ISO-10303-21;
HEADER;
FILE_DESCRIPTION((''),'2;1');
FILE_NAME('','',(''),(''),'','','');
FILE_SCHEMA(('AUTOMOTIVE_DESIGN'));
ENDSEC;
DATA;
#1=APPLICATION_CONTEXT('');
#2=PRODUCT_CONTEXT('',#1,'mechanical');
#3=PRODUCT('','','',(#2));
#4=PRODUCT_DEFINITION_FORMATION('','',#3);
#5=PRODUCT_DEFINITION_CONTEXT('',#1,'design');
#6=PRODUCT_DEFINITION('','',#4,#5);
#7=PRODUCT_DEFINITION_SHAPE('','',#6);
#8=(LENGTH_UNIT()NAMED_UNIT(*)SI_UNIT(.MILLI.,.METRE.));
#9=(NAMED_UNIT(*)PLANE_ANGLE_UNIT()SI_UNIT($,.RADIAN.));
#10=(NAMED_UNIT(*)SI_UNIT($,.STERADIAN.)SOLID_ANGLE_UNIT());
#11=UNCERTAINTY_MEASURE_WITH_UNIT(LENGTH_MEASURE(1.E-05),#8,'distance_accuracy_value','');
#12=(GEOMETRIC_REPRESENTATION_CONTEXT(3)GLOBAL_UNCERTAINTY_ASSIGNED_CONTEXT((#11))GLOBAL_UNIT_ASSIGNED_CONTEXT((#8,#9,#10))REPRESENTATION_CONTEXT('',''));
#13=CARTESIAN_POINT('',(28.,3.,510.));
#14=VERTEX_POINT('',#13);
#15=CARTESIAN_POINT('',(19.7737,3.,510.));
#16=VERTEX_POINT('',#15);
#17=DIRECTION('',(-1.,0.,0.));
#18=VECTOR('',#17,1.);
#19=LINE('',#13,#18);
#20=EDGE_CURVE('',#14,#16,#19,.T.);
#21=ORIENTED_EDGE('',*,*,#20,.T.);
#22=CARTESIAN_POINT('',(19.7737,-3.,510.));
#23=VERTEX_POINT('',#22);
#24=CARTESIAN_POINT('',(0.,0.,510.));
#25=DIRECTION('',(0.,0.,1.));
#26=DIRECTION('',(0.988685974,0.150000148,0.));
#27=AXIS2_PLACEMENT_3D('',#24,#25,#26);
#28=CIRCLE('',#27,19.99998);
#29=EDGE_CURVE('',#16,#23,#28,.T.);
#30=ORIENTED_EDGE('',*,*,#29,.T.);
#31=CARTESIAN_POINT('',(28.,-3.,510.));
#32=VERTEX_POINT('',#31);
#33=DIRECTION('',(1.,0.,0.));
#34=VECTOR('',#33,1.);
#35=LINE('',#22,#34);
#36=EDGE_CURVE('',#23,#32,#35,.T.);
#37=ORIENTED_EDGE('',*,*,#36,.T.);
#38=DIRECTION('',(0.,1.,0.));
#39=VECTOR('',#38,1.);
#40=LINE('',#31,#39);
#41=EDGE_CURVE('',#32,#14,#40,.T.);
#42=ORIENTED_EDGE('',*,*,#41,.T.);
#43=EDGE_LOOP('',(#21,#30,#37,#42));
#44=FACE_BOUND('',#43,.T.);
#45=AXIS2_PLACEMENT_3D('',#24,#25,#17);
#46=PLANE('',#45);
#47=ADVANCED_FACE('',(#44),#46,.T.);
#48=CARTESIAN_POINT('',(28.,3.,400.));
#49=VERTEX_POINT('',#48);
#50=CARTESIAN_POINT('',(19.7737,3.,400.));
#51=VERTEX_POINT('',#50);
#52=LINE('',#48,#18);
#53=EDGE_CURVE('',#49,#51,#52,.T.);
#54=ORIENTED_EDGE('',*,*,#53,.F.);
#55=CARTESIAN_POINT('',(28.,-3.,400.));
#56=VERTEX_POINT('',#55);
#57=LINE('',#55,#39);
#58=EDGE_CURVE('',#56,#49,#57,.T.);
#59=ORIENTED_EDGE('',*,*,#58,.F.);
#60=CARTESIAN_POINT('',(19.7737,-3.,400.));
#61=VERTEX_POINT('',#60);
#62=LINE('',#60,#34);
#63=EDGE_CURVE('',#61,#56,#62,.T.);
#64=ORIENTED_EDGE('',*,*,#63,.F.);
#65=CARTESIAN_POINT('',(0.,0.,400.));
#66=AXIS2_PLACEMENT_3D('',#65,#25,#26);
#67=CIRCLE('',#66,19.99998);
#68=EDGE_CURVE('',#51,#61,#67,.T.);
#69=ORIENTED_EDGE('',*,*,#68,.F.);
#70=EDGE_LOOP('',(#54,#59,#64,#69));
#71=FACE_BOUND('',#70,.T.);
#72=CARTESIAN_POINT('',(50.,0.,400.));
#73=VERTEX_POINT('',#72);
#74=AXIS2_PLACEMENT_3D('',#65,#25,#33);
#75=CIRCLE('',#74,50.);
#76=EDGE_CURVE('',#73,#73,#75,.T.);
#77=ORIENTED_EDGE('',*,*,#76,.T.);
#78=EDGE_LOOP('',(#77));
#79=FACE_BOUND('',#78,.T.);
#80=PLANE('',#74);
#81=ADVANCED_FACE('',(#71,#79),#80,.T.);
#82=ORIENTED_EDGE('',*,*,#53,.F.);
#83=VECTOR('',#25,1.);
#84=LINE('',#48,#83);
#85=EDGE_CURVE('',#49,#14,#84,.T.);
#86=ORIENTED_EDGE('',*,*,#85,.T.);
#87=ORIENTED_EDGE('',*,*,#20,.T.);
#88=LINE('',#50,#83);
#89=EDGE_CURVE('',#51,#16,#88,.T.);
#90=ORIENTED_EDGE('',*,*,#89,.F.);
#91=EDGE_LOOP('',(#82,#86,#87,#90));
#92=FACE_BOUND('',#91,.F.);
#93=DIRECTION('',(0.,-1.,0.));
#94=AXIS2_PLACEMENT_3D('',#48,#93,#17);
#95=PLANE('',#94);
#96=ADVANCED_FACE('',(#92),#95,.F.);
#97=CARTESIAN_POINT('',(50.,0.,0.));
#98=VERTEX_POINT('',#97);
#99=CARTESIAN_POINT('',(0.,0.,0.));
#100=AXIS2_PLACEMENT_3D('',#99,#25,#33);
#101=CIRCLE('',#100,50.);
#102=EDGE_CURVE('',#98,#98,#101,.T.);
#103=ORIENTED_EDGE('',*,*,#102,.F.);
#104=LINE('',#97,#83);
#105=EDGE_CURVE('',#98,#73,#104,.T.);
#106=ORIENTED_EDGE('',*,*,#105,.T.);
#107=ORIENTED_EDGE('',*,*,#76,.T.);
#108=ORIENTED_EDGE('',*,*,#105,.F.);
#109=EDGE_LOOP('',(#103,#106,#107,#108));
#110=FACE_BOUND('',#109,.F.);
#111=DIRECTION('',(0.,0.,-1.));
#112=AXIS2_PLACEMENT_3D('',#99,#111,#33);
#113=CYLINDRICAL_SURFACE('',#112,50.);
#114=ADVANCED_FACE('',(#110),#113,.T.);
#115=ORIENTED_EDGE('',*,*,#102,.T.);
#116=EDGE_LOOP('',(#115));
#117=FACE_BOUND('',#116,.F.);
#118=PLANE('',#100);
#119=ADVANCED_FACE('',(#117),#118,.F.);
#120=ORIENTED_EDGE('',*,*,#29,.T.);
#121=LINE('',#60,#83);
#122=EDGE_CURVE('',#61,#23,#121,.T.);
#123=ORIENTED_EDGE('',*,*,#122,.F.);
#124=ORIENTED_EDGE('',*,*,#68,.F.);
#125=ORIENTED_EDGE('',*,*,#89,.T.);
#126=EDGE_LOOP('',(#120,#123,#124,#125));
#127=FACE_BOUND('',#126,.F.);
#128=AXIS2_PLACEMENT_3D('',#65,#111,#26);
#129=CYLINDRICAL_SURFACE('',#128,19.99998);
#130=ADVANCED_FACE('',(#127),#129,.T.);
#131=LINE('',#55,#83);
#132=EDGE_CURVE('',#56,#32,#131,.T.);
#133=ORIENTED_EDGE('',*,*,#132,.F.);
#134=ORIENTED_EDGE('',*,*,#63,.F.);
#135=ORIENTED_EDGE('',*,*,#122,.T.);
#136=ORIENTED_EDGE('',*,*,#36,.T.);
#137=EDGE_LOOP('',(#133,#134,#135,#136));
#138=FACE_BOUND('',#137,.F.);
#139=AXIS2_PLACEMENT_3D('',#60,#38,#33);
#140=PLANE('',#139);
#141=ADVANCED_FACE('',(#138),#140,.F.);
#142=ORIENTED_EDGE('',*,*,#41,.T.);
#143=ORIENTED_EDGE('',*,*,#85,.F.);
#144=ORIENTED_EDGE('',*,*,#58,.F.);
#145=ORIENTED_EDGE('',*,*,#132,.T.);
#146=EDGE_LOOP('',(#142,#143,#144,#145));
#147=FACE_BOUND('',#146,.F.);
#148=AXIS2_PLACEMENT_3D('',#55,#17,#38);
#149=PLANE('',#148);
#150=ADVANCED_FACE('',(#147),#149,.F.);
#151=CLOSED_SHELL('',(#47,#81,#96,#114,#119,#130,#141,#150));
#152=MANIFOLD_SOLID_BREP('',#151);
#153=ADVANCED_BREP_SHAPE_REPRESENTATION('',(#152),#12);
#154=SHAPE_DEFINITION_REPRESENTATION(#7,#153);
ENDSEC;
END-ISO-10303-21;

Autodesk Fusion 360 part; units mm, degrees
sketch "Sketch1" plane through (0, 0, 0) normal (0, 0, 1) x (1, 0, 0)
  circle A0 centre (0, 0) radius 50
extrude "Extrude1" add sketch "Sketch1" along normal blind 400
sketch "Sketch2" plane through (0, 0, 400) normal (0, 0, 1) x (-1, 0, 0)
  circle A0 centre (0, 0) radius 50
  line L0 (-28, -3) -> (-19.7737, -3)
  line L1 (-19.7737, 3) -> (-28, 3)
  line L2 (-28, 3) -> (-28, -3)
  arc A1 (-19.7737, -3) -> (-19.7737, 3) centre (0, 0) ccw
extrude "Extrude2" add sketch "Sketch2" along normal blind 110 contours L0 L1 L2 A1
